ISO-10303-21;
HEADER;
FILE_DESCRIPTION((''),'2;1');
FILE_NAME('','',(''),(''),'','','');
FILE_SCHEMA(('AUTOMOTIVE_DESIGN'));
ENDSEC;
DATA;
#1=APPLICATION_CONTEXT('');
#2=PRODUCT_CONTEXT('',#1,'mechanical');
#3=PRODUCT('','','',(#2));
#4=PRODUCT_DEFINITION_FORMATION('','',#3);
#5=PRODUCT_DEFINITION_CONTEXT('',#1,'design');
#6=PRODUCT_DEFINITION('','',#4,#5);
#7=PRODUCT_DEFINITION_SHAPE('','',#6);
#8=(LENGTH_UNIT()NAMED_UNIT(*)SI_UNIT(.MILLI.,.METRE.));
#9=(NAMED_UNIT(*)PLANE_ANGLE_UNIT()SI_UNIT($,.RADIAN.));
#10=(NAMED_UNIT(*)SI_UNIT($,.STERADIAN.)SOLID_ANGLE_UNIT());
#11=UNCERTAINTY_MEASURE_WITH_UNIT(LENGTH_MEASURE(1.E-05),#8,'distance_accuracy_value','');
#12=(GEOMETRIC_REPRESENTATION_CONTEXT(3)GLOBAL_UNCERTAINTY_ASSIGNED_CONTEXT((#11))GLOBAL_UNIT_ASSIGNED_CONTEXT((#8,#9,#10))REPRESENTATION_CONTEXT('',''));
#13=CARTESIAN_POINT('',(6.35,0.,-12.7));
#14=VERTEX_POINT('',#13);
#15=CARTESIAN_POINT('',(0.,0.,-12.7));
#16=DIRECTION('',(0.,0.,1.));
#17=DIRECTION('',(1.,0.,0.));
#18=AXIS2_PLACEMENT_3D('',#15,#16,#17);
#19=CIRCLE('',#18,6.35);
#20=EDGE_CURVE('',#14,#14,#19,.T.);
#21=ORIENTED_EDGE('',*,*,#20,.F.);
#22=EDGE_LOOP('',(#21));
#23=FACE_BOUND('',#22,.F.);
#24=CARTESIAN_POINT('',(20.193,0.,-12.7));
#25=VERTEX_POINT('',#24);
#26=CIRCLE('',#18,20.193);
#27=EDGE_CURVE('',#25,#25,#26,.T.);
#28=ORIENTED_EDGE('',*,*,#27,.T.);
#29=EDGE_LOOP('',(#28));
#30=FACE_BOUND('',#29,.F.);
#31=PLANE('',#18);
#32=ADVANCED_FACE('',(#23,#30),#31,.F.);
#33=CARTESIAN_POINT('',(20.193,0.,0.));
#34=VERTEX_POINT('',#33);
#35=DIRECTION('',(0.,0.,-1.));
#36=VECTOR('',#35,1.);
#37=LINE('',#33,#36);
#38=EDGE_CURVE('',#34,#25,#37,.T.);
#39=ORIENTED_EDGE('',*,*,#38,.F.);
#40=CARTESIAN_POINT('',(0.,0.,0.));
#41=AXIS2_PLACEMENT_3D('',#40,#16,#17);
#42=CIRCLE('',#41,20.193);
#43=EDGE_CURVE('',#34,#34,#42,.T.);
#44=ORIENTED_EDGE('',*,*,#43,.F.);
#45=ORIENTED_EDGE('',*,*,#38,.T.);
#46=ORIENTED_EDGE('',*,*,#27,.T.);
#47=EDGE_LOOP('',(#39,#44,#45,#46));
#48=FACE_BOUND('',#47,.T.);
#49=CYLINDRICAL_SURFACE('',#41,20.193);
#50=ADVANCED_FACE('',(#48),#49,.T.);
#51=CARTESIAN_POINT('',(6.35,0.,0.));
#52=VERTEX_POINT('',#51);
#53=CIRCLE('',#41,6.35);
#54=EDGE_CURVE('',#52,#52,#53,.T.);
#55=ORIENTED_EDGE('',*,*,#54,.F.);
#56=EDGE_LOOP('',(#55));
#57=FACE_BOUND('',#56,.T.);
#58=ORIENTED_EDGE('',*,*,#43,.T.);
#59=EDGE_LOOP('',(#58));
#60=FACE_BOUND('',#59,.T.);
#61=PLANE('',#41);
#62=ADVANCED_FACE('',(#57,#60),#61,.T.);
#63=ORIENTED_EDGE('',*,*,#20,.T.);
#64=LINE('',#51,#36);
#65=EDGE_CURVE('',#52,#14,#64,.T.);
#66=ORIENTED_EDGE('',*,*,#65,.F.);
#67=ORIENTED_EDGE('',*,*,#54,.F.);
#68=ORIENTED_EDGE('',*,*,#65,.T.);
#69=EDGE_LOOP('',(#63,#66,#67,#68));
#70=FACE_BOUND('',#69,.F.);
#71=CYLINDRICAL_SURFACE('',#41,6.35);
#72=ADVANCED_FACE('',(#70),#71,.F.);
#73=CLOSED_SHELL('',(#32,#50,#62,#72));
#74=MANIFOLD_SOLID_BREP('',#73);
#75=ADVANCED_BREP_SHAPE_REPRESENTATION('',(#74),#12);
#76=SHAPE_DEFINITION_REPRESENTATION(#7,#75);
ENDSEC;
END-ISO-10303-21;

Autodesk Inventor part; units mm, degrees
ref_plane "YZ Plane" through (0, 0, 0) normal (1, 0, 0) x (0, 1, 0)
ref_plane "XZ Plane" through (0, 0, 0) normal (0, 1, 0) x (-1, 0, 0)
ref_plane "XY Plane" through (0, 0, 0) normal (0, 0, 1) x (1, 0, 0)
sketch "Sketch1" plane through (0, 0, 0) normal (0, 0, 1) x (1, 0, 0)
  circle A0 centre (0, 0) radius 20.193
  circle A1 centre (0, 0) radius 6.35
  dimension "d0" = 40.386
  dimension "d1" = 12.7
extrude "Extrusion1" add sketch "Sketch1" against normal blind 12.7
properties part number "axlebracetopvc"
